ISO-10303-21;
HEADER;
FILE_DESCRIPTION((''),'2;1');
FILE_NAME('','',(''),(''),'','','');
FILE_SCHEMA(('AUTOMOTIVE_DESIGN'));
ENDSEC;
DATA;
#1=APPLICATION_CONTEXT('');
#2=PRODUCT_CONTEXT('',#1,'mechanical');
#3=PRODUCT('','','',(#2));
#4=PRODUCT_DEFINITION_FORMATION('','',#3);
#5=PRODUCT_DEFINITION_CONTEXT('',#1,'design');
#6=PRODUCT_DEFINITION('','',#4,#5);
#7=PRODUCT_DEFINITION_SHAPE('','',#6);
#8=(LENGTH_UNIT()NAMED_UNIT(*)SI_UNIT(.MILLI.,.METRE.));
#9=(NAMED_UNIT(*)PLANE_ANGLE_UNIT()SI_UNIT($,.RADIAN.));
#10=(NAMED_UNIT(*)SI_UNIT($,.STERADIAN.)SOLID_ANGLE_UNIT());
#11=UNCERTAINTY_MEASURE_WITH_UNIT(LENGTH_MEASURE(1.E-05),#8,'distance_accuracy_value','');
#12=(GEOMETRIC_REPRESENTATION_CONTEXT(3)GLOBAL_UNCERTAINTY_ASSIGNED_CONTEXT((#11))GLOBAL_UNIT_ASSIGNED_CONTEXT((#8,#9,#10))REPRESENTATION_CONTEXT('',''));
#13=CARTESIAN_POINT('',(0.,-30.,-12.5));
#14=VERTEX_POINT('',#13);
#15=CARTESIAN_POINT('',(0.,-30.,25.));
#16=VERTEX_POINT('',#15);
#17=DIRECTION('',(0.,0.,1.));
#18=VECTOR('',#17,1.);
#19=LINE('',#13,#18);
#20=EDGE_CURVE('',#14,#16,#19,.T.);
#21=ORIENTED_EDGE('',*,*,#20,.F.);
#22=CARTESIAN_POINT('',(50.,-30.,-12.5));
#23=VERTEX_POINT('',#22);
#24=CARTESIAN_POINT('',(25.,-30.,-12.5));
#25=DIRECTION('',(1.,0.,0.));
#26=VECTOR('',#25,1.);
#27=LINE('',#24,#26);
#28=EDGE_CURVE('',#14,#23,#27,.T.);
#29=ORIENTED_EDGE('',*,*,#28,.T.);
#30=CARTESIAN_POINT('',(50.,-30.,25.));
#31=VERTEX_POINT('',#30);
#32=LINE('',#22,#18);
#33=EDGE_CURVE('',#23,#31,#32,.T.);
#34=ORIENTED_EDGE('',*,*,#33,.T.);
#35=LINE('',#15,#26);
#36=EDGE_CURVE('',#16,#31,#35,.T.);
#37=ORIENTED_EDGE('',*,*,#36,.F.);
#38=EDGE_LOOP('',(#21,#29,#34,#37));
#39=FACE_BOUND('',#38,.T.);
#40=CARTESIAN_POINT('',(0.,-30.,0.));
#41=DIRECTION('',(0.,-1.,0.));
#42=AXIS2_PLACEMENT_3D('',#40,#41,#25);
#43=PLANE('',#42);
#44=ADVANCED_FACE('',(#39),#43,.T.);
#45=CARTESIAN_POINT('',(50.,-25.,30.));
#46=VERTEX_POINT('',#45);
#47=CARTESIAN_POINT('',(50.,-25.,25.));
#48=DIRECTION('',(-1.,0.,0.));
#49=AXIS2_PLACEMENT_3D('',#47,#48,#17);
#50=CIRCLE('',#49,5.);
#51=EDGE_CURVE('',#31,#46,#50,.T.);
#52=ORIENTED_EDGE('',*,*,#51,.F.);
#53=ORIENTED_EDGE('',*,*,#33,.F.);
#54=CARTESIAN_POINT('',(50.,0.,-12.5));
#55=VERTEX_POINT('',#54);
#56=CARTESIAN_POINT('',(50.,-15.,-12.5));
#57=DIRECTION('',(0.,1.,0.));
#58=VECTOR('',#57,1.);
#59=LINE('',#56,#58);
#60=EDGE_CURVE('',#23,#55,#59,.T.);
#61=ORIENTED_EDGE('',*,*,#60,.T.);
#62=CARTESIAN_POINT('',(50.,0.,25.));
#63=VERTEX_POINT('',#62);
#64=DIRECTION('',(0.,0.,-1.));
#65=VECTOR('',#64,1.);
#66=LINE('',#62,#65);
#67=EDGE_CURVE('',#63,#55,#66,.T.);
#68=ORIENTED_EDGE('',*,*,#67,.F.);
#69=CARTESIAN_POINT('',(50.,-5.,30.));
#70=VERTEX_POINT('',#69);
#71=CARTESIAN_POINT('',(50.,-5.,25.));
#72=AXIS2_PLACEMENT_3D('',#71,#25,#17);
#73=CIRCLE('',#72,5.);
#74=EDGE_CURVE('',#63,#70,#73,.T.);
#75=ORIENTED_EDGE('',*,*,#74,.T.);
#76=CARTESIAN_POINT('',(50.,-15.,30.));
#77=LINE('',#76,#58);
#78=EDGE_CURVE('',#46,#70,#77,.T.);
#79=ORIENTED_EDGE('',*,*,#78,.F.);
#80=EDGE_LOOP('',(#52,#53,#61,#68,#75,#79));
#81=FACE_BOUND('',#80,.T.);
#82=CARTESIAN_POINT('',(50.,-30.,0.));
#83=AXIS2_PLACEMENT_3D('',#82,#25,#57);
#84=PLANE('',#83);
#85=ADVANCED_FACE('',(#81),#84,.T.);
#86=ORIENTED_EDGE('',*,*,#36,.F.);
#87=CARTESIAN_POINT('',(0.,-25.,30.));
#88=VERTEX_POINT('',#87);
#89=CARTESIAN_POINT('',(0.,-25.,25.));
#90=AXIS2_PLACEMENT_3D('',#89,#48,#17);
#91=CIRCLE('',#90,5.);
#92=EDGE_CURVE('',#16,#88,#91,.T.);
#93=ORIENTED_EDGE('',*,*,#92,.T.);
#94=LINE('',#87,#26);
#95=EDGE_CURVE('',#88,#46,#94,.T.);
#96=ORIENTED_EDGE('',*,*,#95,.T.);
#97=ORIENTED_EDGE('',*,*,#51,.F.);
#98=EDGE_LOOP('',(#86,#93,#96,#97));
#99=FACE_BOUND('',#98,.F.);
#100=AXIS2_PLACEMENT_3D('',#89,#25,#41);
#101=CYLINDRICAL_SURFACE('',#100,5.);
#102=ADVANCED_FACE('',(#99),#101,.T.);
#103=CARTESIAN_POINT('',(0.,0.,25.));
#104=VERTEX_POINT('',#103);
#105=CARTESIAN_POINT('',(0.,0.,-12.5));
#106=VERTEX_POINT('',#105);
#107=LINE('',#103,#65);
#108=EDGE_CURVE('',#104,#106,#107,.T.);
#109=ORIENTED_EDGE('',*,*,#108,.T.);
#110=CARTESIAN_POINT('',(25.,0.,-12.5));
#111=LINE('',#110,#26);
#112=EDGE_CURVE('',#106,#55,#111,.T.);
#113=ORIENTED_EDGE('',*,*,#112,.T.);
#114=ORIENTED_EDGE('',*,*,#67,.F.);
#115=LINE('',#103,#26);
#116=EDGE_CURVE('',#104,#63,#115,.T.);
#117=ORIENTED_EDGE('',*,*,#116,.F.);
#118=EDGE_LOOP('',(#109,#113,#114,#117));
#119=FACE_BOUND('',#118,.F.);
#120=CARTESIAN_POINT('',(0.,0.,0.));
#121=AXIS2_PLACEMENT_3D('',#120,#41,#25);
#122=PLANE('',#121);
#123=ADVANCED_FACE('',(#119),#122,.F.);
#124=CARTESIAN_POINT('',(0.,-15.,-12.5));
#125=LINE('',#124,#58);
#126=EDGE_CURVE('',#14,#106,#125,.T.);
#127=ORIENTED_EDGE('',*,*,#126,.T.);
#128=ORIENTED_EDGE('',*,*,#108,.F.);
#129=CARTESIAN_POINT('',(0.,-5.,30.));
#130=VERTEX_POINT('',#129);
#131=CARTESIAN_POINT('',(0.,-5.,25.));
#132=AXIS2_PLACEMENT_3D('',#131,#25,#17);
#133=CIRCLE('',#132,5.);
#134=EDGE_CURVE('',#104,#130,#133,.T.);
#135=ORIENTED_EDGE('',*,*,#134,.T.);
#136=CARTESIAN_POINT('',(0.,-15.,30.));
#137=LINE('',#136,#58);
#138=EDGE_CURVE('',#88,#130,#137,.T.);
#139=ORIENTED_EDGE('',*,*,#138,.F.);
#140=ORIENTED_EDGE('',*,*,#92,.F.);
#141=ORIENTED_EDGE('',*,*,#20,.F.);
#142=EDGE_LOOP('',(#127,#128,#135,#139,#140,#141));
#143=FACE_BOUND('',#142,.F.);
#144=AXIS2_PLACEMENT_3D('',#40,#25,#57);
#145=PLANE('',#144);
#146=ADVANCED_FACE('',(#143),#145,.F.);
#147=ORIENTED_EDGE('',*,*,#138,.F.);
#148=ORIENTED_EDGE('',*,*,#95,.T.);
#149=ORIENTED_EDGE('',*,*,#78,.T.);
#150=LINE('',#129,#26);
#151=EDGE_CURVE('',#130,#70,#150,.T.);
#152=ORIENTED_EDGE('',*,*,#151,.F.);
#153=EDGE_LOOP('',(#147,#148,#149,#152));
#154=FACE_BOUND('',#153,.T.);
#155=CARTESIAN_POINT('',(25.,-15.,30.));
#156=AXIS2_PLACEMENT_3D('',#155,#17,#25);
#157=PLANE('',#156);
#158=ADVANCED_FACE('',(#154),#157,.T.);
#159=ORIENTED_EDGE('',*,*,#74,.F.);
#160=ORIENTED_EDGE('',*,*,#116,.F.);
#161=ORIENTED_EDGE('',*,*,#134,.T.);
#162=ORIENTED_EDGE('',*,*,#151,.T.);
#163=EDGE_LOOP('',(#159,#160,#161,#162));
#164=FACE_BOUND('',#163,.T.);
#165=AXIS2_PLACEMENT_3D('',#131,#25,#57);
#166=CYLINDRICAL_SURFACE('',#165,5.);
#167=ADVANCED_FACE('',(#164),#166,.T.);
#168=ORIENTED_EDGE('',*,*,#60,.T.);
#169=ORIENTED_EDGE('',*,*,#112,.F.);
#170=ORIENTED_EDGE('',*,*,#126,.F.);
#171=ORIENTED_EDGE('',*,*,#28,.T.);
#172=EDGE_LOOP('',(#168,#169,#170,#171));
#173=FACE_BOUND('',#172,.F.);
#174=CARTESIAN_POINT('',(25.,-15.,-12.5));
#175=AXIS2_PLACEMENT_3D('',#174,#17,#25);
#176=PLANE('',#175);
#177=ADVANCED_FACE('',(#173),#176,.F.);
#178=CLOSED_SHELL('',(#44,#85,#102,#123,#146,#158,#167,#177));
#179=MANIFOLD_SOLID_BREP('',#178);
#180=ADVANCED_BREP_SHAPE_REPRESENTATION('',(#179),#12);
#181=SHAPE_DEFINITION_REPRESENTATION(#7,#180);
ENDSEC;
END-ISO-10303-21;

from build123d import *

# Parameters (mm, degrees)
F0_W     = 50
F0_H     = 30
F1_DEPTH = 30
F2_R     = 5
F3_DEPTH = 12.5


with BuildPart() as f1:
    # F0 (on Top) → F1 (new body)
    with BuildSketch(Plane.XY):
        with Locations((25, -15)):
            Rectangle(F0_W, F0_H)
    extrude(amount=F1_DEPTH)

    # F2
    f2_edges = [f1.edges().sort_by_distance(p)[0] for p in [
        (25, -30, 0),
        (25, 0, 0),
        (25, 0, 30),
        (25, -30, 30),
    ]]
    fillet(f2_edges, radius=F2_R)

    # F0 (on Top) → F3 (join, symmetric)
    with BuildSketch(Plane.XY):
        with Locations((25, -15)):
            Rectangle(F0_W, F0_H)
    extrude(amount=F3_DEPTH, both=True)


solid = f1.part
